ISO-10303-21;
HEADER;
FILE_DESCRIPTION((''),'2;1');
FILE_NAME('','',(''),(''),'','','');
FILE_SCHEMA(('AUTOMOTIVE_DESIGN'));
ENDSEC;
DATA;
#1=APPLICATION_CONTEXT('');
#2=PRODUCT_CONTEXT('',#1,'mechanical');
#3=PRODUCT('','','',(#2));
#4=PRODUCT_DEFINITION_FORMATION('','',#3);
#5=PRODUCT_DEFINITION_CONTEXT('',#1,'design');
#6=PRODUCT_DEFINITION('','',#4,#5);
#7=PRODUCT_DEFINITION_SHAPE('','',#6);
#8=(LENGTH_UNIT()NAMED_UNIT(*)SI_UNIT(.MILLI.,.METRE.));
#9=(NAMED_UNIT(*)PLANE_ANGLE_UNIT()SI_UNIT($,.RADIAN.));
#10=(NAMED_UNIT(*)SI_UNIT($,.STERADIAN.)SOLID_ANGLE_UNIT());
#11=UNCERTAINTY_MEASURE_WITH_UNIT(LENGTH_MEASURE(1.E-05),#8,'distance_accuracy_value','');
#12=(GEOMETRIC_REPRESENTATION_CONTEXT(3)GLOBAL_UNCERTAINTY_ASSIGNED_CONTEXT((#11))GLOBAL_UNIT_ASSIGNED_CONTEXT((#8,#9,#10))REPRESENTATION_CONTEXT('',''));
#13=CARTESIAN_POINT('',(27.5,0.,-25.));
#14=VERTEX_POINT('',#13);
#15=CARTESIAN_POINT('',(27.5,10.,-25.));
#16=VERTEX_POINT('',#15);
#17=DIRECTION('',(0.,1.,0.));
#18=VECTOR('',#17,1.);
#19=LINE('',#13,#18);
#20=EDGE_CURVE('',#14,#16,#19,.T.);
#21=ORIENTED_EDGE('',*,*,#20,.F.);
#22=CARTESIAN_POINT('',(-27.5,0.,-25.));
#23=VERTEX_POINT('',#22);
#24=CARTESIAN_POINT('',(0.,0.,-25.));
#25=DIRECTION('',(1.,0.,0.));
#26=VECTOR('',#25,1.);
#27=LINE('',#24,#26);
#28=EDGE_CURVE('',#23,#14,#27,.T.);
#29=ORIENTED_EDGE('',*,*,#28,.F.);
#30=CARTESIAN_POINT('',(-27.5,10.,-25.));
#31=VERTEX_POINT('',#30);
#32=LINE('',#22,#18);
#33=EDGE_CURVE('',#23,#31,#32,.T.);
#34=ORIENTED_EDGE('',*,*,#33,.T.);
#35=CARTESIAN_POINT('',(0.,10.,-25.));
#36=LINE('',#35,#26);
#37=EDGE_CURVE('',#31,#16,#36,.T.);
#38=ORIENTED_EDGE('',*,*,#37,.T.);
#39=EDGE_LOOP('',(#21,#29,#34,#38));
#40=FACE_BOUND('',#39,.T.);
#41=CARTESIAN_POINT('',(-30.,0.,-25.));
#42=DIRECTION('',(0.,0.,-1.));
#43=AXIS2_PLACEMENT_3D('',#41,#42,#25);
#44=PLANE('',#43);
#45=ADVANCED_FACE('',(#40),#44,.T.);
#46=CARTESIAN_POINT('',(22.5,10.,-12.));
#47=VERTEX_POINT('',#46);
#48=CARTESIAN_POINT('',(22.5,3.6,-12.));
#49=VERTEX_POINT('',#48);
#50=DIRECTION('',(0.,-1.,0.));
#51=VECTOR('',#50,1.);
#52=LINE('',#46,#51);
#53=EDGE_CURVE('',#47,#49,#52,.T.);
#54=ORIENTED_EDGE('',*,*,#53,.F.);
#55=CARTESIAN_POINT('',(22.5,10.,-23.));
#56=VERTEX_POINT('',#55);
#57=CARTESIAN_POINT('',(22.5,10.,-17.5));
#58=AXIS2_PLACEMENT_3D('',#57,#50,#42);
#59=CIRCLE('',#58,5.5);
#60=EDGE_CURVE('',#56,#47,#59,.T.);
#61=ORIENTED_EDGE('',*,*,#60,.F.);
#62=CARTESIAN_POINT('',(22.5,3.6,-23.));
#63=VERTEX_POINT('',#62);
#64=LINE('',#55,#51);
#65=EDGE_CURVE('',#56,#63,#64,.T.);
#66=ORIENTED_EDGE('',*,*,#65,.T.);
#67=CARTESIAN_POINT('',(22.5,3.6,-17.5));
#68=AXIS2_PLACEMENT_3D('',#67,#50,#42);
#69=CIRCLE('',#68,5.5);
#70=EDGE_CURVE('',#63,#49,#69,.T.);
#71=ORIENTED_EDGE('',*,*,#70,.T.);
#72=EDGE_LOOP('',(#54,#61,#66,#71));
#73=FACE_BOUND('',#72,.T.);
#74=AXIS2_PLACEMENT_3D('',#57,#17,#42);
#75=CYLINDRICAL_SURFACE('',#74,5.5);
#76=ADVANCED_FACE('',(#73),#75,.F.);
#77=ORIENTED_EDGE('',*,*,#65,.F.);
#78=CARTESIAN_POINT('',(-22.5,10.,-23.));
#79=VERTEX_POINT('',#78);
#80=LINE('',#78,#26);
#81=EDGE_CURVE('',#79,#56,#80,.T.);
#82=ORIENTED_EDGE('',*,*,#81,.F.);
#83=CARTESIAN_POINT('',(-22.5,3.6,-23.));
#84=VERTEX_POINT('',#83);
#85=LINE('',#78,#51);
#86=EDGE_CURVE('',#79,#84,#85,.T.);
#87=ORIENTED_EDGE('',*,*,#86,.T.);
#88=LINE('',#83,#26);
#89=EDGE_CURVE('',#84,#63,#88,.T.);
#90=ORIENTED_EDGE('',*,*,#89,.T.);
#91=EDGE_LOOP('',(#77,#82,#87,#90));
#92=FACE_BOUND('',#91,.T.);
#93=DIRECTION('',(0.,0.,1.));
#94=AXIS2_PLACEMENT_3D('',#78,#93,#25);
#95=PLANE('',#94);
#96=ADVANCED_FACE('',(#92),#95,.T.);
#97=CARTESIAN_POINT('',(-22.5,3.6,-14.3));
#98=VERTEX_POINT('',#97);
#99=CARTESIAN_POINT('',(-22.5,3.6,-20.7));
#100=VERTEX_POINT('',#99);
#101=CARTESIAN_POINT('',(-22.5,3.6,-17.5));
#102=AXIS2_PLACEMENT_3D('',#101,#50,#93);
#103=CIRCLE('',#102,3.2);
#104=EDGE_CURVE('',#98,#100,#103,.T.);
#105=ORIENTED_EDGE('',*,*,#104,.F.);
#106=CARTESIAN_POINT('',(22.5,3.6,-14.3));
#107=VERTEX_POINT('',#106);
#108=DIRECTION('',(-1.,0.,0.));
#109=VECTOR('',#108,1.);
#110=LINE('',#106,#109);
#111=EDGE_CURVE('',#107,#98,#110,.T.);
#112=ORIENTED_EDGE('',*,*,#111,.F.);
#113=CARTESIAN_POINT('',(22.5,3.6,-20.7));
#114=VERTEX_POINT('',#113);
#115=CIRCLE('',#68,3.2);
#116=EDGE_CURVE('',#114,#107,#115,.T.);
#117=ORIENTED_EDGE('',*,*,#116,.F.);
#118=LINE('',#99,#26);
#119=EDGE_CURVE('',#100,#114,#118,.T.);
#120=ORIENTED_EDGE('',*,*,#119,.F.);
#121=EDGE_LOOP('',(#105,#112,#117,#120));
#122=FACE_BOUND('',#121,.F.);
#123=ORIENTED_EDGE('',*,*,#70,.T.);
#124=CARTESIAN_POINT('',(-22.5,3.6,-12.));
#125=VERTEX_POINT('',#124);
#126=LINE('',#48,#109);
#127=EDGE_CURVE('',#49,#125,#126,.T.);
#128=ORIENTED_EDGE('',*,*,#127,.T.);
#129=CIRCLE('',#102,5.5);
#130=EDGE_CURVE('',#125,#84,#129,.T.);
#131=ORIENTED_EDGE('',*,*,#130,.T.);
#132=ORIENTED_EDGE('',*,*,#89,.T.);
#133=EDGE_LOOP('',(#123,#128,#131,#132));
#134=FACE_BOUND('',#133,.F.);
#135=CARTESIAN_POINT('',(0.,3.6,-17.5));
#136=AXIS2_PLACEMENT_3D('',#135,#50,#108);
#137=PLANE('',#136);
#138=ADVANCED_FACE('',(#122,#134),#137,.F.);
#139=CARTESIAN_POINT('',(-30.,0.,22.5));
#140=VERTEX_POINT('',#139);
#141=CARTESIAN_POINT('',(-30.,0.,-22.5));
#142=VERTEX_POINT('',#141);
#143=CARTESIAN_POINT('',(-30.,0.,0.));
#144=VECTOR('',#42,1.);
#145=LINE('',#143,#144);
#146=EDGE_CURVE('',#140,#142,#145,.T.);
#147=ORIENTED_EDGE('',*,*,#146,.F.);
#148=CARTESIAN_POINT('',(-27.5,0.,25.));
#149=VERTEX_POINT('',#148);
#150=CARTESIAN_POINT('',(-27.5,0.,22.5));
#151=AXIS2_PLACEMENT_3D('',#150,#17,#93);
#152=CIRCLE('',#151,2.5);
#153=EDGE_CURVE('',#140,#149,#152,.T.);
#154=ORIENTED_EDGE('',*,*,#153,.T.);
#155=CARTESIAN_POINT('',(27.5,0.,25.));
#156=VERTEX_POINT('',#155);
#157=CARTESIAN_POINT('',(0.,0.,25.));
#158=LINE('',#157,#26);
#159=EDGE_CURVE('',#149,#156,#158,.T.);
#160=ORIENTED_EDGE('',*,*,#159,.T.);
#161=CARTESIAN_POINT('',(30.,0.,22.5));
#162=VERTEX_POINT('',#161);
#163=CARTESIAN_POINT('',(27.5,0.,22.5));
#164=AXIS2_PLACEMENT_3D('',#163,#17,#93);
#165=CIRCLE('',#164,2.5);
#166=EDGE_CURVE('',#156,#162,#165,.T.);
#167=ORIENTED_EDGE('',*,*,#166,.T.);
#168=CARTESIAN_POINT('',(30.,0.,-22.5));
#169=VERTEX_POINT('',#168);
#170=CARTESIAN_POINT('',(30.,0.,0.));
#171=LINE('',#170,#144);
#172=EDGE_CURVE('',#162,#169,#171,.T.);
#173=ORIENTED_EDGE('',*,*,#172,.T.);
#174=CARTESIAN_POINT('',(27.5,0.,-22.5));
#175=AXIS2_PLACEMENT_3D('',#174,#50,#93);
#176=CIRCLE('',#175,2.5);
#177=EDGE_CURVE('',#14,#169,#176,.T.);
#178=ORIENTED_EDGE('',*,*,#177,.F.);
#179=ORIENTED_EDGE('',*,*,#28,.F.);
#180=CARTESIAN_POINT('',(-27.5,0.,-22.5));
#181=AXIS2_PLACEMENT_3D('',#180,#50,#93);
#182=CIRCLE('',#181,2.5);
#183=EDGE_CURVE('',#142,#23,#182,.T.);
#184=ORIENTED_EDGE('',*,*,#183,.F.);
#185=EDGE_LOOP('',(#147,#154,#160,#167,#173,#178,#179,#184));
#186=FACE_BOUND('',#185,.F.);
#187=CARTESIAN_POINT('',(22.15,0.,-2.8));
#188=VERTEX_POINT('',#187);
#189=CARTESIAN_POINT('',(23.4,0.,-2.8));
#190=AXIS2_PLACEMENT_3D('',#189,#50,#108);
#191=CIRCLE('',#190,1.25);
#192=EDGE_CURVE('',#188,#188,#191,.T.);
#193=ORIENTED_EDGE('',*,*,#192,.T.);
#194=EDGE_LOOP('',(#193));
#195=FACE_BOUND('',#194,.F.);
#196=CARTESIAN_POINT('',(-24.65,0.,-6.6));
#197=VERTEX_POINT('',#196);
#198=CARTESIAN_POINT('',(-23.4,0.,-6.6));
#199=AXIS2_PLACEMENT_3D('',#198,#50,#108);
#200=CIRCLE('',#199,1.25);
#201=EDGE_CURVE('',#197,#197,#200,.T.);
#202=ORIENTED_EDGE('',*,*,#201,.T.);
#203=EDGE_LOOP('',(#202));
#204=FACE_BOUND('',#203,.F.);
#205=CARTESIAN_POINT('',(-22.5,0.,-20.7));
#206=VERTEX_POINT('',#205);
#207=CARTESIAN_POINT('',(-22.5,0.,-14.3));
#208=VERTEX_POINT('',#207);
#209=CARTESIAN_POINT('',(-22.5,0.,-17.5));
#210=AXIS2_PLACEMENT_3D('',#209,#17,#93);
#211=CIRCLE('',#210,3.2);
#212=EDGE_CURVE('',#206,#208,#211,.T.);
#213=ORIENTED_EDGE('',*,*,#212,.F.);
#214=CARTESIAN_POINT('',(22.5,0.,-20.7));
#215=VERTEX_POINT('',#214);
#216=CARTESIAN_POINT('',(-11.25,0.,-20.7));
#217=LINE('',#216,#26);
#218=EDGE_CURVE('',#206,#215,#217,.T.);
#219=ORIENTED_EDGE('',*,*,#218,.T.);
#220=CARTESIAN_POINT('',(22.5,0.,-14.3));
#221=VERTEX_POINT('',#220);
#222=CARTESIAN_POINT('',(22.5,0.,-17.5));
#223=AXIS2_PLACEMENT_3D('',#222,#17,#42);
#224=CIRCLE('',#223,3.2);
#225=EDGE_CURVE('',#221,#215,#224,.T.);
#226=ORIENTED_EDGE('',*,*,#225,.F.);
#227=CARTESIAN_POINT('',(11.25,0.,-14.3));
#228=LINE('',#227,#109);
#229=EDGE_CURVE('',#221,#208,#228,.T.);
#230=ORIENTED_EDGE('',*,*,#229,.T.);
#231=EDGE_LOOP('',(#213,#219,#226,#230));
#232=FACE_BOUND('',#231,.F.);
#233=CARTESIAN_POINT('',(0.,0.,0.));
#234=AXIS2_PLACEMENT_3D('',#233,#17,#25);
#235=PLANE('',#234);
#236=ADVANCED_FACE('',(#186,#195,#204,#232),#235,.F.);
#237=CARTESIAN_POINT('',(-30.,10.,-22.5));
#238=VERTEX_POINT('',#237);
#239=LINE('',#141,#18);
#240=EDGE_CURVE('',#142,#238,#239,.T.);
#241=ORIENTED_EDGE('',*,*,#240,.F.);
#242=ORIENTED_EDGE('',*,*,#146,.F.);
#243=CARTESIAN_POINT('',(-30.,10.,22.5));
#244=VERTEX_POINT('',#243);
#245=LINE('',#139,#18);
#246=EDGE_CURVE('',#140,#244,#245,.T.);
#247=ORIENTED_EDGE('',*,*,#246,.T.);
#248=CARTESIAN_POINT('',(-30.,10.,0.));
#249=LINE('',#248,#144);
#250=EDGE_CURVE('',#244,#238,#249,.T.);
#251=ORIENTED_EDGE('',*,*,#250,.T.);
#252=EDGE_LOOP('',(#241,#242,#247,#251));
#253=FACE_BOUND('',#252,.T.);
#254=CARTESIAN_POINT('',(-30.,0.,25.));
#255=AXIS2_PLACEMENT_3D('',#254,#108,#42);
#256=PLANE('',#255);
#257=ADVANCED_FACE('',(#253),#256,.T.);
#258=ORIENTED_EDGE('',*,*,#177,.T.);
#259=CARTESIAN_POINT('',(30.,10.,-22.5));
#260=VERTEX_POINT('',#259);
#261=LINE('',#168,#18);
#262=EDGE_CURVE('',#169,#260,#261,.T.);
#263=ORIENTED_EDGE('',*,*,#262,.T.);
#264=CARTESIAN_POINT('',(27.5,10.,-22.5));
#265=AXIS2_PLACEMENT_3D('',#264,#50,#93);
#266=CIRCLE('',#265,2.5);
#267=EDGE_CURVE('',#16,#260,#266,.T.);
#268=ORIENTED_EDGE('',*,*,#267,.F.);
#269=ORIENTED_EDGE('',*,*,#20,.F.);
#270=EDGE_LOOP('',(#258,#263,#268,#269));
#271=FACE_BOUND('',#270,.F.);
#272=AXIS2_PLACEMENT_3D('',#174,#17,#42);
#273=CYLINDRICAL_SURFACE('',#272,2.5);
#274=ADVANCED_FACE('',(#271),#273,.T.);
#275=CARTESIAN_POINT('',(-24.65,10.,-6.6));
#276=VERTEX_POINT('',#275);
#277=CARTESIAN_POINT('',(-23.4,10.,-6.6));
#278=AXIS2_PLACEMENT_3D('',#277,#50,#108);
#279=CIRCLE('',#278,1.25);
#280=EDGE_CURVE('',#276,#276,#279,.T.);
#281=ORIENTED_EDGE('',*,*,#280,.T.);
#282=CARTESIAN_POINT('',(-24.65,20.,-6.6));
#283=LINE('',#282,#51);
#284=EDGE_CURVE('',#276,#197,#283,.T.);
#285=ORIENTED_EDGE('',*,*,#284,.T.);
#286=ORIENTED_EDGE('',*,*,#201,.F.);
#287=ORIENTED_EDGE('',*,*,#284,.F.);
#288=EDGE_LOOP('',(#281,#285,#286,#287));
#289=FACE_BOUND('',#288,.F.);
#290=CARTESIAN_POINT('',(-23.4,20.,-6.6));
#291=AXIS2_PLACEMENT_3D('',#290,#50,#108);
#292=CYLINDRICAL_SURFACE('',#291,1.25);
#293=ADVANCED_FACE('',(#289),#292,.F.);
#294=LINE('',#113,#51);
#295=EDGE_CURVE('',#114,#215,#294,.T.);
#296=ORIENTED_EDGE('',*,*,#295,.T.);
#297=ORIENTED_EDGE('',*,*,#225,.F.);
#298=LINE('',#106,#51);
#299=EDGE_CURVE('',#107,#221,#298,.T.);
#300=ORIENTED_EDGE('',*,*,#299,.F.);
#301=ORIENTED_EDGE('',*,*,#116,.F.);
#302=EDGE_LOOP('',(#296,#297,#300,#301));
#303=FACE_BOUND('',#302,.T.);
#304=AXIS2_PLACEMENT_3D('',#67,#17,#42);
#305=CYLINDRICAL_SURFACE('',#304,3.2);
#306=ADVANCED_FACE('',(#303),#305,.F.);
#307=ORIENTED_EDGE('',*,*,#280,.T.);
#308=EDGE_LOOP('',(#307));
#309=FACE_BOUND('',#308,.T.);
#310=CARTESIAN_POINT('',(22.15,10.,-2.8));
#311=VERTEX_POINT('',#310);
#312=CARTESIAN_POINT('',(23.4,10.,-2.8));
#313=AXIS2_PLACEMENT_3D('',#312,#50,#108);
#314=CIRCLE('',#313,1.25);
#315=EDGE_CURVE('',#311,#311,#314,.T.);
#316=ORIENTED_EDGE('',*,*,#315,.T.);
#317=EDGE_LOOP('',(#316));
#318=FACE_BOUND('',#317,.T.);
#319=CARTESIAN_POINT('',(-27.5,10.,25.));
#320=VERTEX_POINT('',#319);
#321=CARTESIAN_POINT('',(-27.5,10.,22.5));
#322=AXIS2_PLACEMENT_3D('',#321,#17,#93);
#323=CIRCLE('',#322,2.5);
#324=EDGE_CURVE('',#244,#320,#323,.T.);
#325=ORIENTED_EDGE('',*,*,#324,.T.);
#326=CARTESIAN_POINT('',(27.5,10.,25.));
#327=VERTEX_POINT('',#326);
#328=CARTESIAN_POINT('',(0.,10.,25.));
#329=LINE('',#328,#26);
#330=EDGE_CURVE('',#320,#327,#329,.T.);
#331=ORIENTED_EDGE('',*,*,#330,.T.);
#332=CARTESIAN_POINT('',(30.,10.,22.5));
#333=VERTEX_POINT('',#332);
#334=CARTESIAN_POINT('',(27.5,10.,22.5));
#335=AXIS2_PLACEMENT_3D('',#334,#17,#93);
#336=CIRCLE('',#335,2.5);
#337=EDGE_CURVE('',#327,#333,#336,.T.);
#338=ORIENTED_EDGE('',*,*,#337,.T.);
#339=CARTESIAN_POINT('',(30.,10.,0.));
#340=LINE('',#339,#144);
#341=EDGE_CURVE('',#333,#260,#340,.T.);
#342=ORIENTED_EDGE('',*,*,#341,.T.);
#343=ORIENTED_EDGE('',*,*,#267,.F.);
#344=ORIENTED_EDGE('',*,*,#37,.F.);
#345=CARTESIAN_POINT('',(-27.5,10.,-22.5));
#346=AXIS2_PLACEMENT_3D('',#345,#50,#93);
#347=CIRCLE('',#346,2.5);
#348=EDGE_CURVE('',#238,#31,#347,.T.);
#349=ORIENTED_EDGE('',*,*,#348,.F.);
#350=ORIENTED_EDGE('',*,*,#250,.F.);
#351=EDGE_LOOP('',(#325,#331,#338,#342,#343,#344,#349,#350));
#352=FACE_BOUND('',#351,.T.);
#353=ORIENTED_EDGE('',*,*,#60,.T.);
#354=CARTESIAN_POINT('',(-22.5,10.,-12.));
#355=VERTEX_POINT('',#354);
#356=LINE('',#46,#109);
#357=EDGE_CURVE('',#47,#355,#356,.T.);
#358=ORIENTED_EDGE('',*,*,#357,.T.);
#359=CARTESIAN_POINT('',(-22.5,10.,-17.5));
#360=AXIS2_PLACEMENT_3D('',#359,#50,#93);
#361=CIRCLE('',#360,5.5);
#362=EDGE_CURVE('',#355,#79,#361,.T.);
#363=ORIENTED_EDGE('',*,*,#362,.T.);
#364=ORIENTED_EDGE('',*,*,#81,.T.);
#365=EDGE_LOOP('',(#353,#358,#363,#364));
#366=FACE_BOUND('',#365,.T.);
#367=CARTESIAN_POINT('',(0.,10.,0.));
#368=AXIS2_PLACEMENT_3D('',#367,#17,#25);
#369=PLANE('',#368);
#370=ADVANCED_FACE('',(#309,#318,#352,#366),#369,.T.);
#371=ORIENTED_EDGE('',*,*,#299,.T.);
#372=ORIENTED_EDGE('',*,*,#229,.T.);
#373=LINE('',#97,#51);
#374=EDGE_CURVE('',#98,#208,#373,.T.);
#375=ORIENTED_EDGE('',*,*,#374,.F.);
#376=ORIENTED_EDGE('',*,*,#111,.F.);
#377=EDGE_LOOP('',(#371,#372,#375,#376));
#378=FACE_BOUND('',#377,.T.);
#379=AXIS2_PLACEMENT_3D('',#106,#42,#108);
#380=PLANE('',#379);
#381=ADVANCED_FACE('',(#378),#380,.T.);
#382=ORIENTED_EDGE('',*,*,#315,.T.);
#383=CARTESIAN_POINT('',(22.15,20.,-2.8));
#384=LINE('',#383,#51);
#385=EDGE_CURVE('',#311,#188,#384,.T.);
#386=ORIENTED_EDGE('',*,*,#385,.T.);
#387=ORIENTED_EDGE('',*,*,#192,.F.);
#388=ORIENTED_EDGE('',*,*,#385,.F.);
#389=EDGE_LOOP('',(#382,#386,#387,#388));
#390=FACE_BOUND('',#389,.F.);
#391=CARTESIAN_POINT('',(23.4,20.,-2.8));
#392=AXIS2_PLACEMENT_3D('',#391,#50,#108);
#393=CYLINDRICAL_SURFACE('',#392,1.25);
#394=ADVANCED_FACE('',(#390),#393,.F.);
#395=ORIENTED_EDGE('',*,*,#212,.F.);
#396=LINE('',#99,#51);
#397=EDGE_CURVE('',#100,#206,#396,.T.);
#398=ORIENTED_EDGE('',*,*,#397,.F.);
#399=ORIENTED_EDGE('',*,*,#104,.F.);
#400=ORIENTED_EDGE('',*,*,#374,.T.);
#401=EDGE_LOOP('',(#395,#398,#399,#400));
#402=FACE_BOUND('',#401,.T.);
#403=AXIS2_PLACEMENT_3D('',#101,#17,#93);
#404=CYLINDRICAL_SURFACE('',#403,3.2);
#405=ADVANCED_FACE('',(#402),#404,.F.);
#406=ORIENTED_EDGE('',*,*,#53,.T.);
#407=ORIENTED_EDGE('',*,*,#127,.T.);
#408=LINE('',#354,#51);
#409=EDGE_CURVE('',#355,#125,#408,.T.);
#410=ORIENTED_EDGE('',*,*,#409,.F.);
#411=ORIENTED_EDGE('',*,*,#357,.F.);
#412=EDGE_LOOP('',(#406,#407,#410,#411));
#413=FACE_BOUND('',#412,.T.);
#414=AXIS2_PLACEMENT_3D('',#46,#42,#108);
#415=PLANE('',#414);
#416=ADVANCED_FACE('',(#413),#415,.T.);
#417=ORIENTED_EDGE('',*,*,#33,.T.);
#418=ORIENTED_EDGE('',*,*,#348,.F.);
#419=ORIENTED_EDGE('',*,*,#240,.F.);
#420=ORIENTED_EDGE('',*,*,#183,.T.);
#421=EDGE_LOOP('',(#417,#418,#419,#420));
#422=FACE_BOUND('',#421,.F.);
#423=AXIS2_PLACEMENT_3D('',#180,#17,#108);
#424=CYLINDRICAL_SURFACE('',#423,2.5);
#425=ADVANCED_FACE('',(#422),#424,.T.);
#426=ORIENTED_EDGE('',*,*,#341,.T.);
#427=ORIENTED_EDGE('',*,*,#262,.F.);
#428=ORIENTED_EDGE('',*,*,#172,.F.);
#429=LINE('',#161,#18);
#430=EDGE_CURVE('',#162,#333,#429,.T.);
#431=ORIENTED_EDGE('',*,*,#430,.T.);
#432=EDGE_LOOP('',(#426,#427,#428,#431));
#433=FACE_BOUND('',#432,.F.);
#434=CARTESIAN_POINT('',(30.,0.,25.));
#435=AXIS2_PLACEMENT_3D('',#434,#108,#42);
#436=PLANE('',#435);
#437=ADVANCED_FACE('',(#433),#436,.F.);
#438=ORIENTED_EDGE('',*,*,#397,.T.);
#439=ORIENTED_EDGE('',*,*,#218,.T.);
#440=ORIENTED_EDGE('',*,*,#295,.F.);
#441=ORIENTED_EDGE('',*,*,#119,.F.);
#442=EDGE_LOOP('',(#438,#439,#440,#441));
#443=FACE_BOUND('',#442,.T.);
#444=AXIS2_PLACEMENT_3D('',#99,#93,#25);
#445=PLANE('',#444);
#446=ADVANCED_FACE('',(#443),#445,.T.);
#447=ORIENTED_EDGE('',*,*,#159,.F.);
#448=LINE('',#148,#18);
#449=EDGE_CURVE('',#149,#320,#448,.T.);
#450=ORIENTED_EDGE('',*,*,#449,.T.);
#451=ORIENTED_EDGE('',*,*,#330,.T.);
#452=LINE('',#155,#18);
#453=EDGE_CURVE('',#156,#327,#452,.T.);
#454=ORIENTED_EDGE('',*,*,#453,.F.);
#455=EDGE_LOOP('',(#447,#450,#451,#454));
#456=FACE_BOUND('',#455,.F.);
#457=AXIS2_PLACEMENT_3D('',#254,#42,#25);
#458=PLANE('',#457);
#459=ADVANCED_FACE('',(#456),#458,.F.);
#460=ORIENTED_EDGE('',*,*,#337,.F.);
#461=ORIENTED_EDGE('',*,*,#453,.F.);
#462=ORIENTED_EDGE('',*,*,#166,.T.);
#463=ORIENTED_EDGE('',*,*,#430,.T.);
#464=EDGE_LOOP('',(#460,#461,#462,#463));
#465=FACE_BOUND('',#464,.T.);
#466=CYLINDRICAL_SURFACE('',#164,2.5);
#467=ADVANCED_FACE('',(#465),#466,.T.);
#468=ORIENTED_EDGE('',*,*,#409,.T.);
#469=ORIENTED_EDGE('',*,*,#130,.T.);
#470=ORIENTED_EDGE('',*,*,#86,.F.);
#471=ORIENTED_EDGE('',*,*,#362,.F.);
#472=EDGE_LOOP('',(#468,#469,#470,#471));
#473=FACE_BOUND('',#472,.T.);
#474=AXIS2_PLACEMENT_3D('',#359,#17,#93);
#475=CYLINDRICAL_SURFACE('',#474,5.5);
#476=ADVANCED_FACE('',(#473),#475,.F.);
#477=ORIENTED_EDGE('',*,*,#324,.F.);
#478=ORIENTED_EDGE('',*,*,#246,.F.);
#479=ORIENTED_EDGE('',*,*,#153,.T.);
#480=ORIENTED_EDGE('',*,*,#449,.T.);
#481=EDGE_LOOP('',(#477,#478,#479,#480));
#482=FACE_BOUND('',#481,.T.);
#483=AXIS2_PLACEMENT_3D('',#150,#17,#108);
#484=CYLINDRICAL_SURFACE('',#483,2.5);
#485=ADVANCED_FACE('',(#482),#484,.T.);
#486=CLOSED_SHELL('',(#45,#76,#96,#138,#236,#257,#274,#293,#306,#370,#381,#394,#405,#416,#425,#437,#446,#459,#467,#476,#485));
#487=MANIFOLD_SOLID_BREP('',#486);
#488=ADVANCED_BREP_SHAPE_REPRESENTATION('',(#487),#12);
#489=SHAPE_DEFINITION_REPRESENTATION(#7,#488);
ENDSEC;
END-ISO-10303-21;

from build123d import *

# Parameters (mm, degrees)
SKETCH1_W             = 60
SKETCH1_H             = 50
BOSS_EXTRUDE1_DEPTH   = 10
M3_TAPPED_HOLE1_D     = 2.5
M3_TAPPED_HOLE1_DEPTH = 10
CUT_EXTRUDE1_DEPTH    = 6.4
CUT_EXTRUDE2_DEPTH    = 4.6
FILLET1_R             = 2.5


with BuildPart() as part:
    # Sketch1 → Boss-Extrude1 (new body)
    with BuildSketch(Plane(origin=(0, 0, 0), x_dir=(1, 0, 0), z_dir=(0, 1, 0))):
        Rectangle(SKETCH1_W, SKETCH1_H)
    extrude(amount=BOSS_EXTRUDE1_DEPTH)

    # M3 Tapped Hole1
    with Locations(Plane(origin=(0, 10, 0), x_dir=(1, 0, 0), z_dir=(0, 1, 0))):
        with Locations((-23.4, 6.6), (23.4, 2.8)):
            Hole(M3_TAPPED_HOLE1_D / 2, depth=M3_TAPPED_HOLE1_DEPTH)

    # Sketch7 → Cut-Extrude1 (cut)
    with BuildSketch(Plane(origin=(0, 10, 0), x_dir=(1, 0, 0), z_dir=(0, 1, 0))):
        with BuildLine():
            Line((-22.5, 23), (22.5, 23))
            ThreePointArc((22.5, 23), (28, 17.5), (22.5, 12))
            Line((22.5, 12), (-22.5, 12))
            ThreePointArc((-22.5, 12), (-28, 17.5), (-22.5, 23))
        make_face()
    extrude(amount=-CUT_EXTRUDE1_DEPTH, mode=Mode.SUBTRACT)

    # Sketch8 → Cut-Extrude2 (cut, through all)
    with BuildSketch(Plane(origin=(0, 3.6, 0), x_dir=(1, 0, 0), z_dir=(0, 1, 0))):
        with BuildLine():
            Line((-22.5, 20.7), (22.5, 20.7))
            ThreePointArc((22.5, 20.7), (25.7, 17.5), (22.5, 14.3))
            Line((22.5, 14.3), (-22.5, 14.3))
            ThreePointArc((-22.5, 14.3), (-25.7, 17.5), (-22.5, 20.7))
        make_face()
    extrude(amount=-CUT_EXTRUDE2_DEPTH, mode=Mode.SUBTRACT)

    # Fillet1
    fillet1_edges = [part.edges().sort_by_distance(p)[0] for p in [
        (30, 5, 25),
        (-30, 5, 25),
        (-30, 5, -25),
        (30, 5, -25),
    ]]
    fillet(fillet1_edges, radius=FILLET1_R)


solid = part.part
